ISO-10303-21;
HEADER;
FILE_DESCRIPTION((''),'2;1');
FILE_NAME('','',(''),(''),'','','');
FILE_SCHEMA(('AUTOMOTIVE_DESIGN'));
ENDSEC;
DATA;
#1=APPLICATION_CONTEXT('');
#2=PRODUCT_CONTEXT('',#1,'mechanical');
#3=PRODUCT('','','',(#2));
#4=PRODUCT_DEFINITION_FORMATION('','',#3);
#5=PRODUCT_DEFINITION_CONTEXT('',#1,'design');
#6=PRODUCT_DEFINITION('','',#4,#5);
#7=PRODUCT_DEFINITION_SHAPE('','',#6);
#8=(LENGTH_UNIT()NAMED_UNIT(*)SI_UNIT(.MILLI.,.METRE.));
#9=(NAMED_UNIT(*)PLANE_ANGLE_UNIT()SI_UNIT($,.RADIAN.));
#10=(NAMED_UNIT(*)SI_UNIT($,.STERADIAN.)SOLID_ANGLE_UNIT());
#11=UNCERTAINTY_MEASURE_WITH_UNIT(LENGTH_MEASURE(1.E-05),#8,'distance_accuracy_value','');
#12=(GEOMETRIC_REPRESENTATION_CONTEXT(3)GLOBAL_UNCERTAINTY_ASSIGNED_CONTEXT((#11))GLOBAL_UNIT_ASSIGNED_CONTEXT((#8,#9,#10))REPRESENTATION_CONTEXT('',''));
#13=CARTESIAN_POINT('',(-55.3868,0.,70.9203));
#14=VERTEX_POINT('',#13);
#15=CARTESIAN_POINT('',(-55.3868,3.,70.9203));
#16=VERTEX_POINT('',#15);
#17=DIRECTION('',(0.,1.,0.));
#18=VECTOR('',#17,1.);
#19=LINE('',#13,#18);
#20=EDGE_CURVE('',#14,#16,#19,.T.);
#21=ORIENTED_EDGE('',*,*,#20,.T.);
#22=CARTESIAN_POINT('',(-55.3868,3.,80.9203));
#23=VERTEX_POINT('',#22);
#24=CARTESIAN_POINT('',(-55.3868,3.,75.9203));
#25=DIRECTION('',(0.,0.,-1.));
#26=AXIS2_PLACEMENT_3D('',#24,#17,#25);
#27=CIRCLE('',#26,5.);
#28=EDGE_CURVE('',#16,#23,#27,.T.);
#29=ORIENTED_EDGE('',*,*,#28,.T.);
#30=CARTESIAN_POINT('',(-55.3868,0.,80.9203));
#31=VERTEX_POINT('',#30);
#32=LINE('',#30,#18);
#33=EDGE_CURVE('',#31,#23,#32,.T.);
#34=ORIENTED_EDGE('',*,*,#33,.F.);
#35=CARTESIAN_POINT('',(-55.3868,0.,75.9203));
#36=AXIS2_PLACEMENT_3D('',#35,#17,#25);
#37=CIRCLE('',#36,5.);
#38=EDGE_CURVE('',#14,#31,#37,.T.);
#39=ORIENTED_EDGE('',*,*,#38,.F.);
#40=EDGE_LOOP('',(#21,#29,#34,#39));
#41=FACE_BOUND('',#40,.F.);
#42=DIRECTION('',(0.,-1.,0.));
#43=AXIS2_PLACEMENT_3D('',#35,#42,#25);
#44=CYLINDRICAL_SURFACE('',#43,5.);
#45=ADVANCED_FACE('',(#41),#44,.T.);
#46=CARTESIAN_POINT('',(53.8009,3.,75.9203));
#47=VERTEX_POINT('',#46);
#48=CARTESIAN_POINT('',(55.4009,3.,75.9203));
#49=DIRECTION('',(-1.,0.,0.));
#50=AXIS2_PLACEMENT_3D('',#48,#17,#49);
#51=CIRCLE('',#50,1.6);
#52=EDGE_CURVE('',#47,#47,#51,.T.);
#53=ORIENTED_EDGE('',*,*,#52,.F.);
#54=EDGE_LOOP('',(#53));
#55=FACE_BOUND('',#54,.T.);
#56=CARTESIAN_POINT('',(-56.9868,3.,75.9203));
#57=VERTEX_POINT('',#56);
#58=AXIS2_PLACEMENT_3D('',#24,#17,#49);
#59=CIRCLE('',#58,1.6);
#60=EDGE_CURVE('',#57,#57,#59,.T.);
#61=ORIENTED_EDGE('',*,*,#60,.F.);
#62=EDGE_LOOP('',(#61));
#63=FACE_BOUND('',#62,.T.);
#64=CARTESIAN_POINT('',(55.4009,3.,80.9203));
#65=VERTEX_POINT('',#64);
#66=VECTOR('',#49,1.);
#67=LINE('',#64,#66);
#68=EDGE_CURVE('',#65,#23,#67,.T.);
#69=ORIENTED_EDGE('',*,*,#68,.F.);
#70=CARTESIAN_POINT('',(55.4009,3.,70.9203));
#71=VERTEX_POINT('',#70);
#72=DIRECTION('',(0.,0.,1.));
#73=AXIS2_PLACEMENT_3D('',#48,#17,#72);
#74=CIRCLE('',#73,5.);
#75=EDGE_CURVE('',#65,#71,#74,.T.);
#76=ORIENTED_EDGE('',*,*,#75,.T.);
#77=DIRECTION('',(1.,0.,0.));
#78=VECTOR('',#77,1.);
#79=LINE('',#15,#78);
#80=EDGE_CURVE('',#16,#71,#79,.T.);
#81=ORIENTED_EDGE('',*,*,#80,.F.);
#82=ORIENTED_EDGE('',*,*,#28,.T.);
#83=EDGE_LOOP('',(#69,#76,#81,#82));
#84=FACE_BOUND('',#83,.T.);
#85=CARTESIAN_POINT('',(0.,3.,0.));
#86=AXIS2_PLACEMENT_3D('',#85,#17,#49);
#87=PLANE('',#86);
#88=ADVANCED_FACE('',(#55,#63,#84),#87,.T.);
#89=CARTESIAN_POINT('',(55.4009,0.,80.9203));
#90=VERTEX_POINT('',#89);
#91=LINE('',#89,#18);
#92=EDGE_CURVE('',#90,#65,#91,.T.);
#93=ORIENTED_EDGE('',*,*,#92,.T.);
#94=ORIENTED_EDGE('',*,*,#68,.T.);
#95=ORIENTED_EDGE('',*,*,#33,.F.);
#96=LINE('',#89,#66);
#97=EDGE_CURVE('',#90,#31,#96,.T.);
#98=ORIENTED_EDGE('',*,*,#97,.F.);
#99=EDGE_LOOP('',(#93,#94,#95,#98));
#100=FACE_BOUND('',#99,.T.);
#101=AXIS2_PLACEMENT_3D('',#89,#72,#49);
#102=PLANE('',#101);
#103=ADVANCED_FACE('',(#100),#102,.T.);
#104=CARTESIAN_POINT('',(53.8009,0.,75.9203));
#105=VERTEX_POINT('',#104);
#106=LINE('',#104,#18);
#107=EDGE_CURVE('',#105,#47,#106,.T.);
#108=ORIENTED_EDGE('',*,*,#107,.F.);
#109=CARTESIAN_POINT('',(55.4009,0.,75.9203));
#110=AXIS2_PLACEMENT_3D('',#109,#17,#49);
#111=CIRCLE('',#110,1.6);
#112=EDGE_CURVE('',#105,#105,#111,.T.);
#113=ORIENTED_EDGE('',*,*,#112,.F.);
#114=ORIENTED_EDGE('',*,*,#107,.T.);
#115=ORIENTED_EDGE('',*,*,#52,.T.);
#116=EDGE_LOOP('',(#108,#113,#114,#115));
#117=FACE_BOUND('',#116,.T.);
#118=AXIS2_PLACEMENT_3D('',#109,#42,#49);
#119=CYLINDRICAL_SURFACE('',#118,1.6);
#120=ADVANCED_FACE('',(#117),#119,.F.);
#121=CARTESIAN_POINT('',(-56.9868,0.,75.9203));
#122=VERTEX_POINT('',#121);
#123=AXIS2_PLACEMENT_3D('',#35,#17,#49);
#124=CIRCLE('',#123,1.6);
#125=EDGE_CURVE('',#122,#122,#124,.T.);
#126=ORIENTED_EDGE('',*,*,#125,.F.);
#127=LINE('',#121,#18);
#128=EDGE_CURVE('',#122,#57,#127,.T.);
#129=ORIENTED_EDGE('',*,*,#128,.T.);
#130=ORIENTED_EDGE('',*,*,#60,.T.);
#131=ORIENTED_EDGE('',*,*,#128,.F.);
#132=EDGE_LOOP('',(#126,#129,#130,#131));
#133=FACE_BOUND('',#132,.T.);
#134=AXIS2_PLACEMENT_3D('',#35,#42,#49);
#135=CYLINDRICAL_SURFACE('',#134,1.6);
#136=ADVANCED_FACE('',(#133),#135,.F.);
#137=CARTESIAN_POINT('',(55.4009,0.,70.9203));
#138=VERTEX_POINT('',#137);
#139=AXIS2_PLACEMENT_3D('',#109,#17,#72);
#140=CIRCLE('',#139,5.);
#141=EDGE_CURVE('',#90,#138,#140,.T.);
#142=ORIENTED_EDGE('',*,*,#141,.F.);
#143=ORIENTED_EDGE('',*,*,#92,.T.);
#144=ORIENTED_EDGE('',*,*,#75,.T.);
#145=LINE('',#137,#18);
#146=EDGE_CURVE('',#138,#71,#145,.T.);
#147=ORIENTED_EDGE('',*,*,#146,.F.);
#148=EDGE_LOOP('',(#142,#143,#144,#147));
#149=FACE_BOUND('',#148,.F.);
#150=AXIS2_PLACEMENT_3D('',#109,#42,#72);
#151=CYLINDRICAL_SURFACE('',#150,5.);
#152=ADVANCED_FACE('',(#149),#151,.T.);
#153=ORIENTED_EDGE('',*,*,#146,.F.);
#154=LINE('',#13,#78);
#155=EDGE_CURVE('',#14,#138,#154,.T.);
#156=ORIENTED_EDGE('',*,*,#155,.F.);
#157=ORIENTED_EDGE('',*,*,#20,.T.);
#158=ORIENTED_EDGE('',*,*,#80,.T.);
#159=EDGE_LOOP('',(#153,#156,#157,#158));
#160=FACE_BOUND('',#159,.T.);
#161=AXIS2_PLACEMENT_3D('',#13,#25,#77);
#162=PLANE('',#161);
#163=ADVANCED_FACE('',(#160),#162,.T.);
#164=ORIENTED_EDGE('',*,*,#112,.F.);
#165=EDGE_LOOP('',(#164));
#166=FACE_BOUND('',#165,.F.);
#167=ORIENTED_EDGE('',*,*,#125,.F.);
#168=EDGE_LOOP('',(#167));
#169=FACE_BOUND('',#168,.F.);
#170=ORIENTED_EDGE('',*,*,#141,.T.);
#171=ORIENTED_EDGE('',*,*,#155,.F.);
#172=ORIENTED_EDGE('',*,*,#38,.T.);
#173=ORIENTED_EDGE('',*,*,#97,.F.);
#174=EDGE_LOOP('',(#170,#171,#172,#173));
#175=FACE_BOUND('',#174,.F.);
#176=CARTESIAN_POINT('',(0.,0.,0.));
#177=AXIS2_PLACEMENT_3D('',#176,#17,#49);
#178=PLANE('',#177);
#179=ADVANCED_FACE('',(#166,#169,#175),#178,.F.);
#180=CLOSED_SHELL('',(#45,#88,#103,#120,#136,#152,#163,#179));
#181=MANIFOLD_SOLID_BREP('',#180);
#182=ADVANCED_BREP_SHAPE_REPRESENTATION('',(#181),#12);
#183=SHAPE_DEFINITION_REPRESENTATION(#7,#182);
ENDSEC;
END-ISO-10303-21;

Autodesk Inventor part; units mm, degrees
ref_plane "YZ Plane" through (0, 0, 0) normal (1, 0, 0) x (0, 1, 0)
ref_plane "XZ Plane" through (0, 0, 0) normal (0, 1, 0) x (-1, 0, 0)
ref_plane "XY Plane" through (0, 0, 0) normal (0, 0, 1) x (1, 0, 0)
sketch "Sketch1" plane through (0, 0, 0) normal (0, 1, 0) x (-1, 0, 0)
  circle A0 centre (-55.4009, 75.9203) radius 1.6
  circle A1 centre (55.3868, 75.9203) radius 1.6
  arc A2 (55.3868, 70.9203) -> (55.3868, 80.9203) centre (55.3868, 75.9203) ccw
  line L0 (55.3868, 75.9203) -> (55.3868, 70.9203) construction
  line L1 (55.3868, 75.9203) -> (60.3868, 75.9203) construction
  line L2 (55.3868, 75.9203) -> (55.3868, 80.9203) construction
  arc A3 (-55.4009, 80.9203) -> (-55.4009, 70.9203) centre (-55.4009, 75.9203) ccw
  line L3 (-55.4009, 75.9203) -> (-50.4009, 75.9203) construction
  line L4 (-55.4009, 75.9203) -> (-55.4009, 80.9203) construction
  line L5 (-55.4009, 80.9203) -> (55.3868, 80.9203)
  line L6 (55.3868, 70.9203) -> (-55.4009, 70.9203)
  dimension "d13" = 5
  dimension "d14" = 90
  dimension "d15" = 180
  dimension "d16" = 5
extrude "Extrusion1" add sketch "Sketch1" along normal blind 3
properties part number "Handle" material "Polycarbonate, Clear"
